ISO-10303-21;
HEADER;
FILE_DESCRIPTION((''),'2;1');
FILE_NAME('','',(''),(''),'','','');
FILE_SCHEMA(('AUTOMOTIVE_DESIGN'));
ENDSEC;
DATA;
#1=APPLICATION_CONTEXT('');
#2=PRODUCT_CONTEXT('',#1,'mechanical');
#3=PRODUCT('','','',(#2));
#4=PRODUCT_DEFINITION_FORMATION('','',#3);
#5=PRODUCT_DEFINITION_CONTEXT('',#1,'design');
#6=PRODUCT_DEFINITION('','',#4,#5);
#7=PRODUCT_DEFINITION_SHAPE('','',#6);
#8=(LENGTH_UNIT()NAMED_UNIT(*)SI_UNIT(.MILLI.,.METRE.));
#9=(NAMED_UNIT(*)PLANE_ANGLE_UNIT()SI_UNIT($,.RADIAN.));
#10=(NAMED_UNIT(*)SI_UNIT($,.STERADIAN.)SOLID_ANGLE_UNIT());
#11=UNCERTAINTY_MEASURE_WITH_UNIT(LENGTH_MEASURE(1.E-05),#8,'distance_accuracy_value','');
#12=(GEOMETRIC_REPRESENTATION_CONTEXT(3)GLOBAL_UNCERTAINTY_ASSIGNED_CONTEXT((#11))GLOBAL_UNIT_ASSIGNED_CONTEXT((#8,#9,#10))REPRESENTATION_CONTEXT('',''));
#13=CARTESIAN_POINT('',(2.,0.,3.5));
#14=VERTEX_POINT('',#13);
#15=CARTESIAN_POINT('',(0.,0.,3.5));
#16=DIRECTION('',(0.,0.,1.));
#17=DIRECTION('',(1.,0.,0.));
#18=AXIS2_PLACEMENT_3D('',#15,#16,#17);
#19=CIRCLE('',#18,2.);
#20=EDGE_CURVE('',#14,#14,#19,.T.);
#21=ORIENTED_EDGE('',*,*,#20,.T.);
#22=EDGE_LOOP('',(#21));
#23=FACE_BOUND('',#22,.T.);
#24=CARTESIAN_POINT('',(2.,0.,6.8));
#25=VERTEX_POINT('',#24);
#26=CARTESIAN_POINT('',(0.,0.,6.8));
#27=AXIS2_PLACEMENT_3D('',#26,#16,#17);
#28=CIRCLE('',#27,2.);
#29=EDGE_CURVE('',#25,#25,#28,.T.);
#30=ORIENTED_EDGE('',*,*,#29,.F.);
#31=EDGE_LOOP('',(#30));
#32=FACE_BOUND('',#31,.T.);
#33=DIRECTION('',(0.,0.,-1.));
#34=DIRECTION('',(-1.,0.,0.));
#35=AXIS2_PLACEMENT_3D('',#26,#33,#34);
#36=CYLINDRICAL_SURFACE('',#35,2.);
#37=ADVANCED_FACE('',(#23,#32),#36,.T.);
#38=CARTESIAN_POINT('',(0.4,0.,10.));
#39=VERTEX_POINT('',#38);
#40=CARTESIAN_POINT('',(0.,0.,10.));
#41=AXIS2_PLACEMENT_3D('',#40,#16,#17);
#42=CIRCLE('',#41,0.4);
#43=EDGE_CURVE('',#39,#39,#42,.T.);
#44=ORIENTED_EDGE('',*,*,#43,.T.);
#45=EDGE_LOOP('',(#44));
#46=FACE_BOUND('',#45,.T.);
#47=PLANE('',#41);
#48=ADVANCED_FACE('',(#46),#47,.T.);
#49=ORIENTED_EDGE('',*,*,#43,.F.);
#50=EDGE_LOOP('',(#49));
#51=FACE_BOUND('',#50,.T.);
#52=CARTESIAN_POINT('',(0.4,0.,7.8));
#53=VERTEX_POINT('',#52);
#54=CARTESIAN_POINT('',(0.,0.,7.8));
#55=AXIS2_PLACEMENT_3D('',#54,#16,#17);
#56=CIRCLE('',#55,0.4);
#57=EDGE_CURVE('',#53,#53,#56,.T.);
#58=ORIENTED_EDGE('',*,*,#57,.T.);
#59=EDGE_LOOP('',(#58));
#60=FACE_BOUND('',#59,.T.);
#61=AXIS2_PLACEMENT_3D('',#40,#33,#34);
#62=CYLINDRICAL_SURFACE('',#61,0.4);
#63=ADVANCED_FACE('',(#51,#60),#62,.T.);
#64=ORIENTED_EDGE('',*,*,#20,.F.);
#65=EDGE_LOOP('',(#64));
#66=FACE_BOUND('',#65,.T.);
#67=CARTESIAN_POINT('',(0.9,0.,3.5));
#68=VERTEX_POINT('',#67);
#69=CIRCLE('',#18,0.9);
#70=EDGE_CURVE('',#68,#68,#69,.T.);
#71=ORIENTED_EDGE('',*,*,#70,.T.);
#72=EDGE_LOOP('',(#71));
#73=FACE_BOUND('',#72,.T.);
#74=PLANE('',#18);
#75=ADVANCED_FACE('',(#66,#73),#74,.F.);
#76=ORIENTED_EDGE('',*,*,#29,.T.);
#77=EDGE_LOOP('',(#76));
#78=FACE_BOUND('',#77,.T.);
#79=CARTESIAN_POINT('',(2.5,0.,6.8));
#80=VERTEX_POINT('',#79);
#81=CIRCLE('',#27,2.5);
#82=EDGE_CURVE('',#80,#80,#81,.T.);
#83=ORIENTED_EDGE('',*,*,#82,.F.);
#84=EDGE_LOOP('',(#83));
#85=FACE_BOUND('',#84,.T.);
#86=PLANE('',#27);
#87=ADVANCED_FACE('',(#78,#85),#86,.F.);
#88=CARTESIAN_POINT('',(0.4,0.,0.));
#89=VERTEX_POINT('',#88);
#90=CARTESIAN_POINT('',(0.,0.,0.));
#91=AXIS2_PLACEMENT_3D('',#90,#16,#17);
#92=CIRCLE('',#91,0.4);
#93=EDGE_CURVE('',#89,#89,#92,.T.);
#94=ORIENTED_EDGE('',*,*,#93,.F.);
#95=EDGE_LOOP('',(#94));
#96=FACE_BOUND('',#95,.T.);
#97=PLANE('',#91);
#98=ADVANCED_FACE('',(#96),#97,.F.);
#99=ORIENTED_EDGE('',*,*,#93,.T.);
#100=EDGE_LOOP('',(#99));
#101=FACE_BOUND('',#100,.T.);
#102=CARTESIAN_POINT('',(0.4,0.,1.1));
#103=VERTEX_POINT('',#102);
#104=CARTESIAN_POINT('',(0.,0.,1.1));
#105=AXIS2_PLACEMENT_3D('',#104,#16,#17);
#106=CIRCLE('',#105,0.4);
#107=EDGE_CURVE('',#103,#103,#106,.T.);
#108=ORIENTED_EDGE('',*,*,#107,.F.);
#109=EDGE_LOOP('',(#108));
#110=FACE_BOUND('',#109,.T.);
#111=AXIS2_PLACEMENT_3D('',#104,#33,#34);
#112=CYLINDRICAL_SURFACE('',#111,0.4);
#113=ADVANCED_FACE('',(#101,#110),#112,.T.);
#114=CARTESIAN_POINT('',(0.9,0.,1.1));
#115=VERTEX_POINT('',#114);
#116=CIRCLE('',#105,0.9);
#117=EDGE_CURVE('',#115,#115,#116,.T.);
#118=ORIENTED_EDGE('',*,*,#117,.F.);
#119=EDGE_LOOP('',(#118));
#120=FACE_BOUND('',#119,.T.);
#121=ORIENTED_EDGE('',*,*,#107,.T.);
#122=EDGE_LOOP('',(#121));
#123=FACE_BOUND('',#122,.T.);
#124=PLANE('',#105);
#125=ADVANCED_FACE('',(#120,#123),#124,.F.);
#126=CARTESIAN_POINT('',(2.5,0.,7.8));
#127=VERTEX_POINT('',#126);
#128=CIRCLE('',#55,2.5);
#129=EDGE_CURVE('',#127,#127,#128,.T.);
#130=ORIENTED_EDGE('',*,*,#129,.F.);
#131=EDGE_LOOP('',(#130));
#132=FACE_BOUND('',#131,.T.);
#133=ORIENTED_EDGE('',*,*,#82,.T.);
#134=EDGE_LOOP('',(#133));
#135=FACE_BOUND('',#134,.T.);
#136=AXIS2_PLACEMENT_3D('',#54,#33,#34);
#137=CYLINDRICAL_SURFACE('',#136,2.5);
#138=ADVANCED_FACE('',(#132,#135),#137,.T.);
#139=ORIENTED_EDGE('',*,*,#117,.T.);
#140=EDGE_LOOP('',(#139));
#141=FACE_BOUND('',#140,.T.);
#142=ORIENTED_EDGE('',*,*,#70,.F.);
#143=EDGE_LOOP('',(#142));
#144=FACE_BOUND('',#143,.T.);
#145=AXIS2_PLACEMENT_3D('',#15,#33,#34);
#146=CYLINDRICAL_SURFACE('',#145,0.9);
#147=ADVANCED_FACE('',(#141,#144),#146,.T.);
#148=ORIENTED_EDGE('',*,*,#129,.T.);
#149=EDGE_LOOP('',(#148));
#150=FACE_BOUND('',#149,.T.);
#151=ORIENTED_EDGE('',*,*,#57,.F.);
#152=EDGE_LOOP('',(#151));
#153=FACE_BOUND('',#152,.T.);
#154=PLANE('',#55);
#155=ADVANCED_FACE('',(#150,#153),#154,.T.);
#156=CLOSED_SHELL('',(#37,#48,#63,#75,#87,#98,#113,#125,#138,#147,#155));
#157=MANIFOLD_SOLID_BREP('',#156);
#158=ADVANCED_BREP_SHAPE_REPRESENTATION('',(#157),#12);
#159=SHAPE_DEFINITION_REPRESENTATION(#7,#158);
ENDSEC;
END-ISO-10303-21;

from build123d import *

# Parameters (mm, degrees)
SKETCH1_R           = 0.4
BOSS_EXTRUDE1_DEPTH = 1.1
SKETCH2_R           = 0.9
BOSS_EXTRUDE2_DEPTH = 2.4
SKETCH3_R           = 2
BOSS_EXTRUDE3_DEPTH = 3.3
SKETCH4_R           = 2.5
BOSS_EXTRUDE4_DEPTH = 1
SKETCH5_R           = 0.4
BOSS_EXTRUDE5_DEPTH = 2.2


with BuildPart() as part:
    # Sketch1 → Boss-Extrude1 (new body)
    with BuildSketch(Plane.XY):
        Circle(SKETCH1_R)
    extrude(amount=BOSS_EXTRUDE1_DEPTH)

    # Sketch2 → Boss-Extrude2 (add)
    with BuildSketch(Plane.XY.offset(1.1)):
        Circle(SKETCH2_R)
    extrude(amount=BOSS_EXTRUDE2_DEPTH)

    # Sketch3 → Boss-Extrude3 (add)
    with BuildSketch(Plane.XY.offset(3.5)):
        Circle(SKETCH3_R)
    extrude(amount=BOSS_EXTRUDE3_DEPTH)

    # Sketch4 → Boss-Extrude4 (add)
    with BuildSketch(Plane.XY.offset(6.8)):
        Circle(SKETCH4_R)
    extrude(amount=BOSS_EXTRUDE4_DEPTH)

    # Sketch5 → Boss-Extrude5 (add)
    with BuildSketch(Plane.XY.offset(7.8)):
        Circle(SKETCH5_R)
    extrude(amount=BOSS_EXTRUDE5_DEPTH)


solid = part.part
